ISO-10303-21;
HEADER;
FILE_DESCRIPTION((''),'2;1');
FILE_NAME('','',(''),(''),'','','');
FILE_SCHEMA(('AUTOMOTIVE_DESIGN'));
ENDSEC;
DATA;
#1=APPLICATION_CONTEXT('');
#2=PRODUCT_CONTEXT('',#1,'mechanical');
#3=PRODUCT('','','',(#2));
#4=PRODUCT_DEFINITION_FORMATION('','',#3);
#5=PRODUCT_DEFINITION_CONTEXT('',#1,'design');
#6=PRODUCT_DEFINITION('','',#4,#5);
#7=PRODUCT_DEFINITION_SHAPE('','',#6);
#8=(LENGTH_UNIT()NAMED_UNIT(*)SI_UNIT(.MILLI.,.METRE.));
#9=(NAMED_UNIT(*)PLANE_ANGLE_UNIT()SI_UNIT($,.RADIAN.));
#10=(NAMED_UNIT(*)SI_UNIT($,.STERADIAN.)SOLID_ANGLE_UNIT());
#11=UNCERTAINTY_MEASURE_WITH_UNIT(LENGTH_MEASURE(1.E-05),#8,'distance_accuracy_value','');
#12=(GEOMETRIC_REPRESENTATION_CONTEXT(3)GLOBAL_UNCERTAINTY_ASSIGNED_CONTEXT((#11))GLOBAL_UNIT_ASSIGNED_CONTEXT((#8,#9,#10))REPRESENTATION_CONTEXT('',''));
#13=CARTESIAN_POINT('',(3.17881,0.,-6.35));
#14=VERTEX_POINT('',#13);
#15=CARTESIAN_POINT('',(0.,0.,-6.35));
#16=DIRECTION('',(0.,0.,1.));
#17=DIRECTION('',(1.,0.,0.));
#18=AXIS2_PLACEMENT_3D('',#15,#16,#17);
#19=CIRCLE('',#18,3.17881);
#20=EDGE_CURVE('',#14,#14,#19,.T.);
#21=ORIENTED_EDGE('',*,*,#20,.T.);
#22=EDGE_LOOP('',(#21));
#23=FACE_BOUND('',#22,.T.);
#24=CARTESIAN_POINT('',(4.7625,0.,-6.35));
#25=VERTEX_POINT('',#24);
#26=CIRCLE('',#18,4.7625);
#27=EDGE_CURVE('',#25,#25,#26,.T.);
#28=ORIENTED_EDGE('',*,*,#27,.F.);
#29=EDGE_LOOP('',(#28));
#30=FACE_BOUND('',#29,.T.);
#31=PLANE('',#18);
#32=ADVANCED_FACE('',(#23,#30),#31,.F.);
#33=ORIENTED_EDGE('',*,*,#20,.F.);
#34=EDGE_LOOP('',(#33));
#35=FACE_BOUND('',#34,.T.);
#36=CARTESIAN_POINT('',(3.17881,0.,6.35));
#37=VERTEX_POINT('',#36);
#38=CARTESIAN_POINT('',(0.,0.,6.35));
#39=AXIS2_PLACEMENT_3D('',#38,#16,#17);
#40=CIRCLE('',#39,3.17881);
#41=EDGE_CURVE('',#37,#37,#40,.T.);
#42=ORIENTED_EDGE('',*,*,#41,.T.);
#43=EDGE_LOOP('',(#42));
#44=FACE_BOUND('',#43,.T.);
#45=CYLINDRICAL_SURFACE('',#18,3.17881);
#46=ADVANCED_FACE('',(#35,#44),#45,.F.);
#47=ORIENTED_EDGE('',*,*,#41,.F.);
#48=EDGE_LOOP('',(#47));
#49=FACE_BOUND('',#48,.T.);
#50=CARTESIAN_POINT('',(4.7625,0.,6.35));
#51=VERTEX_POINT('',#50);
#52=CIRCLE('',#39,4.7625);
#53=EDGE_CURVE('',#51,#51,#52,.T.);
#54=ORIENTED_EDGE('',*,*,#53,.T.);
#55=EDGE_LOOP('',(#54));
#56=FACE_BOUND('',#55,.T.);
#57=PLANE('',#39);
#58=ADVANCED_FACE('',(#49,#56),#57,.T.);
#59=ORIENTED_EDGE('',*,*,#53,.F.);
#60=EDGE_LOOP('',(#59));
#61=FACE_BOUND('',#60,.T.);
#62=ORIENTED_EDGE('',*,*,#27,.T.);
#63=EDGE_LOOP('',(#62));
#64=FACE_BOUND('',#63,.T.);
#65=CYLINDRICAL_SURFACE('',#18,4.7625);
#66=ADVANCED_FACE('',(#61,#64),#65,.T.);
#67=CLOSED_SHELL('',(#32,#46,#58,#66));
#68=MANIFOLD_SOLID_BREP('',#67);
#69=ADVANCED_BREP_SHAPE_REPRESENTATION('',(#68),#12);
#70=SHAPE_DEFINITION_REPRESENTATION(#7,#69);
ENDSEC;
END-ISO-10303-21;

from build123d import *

# Parameters (mm, degrees)
SKETCH3_R                = 4.7625
SKETCH3_R_2              = 3.17881
BOSS_EXTRUDE1_DEPTH      = 6.35
BOSS_EXTRUDE1_DEPTH_BACK = 6.35


with BuildPart() as part:
    # Sketch3 → Boss-Extrude1 (new body, two sides)
    with BuildSketch(Plane.XY) as boss_extrude1_sk:
        Circle(SKETCH3_R)
        Circle(SKETCH3_R_2, mode=Mode.SUBTRACT)
    extrude(amount=BOSS_EXTRUDE1_DEPTH)
    extrude(boss_extrude1_sk.sketch, amount=-BOSS_EXTRUDE1_DEPTH_BACK)


solid = part.part
